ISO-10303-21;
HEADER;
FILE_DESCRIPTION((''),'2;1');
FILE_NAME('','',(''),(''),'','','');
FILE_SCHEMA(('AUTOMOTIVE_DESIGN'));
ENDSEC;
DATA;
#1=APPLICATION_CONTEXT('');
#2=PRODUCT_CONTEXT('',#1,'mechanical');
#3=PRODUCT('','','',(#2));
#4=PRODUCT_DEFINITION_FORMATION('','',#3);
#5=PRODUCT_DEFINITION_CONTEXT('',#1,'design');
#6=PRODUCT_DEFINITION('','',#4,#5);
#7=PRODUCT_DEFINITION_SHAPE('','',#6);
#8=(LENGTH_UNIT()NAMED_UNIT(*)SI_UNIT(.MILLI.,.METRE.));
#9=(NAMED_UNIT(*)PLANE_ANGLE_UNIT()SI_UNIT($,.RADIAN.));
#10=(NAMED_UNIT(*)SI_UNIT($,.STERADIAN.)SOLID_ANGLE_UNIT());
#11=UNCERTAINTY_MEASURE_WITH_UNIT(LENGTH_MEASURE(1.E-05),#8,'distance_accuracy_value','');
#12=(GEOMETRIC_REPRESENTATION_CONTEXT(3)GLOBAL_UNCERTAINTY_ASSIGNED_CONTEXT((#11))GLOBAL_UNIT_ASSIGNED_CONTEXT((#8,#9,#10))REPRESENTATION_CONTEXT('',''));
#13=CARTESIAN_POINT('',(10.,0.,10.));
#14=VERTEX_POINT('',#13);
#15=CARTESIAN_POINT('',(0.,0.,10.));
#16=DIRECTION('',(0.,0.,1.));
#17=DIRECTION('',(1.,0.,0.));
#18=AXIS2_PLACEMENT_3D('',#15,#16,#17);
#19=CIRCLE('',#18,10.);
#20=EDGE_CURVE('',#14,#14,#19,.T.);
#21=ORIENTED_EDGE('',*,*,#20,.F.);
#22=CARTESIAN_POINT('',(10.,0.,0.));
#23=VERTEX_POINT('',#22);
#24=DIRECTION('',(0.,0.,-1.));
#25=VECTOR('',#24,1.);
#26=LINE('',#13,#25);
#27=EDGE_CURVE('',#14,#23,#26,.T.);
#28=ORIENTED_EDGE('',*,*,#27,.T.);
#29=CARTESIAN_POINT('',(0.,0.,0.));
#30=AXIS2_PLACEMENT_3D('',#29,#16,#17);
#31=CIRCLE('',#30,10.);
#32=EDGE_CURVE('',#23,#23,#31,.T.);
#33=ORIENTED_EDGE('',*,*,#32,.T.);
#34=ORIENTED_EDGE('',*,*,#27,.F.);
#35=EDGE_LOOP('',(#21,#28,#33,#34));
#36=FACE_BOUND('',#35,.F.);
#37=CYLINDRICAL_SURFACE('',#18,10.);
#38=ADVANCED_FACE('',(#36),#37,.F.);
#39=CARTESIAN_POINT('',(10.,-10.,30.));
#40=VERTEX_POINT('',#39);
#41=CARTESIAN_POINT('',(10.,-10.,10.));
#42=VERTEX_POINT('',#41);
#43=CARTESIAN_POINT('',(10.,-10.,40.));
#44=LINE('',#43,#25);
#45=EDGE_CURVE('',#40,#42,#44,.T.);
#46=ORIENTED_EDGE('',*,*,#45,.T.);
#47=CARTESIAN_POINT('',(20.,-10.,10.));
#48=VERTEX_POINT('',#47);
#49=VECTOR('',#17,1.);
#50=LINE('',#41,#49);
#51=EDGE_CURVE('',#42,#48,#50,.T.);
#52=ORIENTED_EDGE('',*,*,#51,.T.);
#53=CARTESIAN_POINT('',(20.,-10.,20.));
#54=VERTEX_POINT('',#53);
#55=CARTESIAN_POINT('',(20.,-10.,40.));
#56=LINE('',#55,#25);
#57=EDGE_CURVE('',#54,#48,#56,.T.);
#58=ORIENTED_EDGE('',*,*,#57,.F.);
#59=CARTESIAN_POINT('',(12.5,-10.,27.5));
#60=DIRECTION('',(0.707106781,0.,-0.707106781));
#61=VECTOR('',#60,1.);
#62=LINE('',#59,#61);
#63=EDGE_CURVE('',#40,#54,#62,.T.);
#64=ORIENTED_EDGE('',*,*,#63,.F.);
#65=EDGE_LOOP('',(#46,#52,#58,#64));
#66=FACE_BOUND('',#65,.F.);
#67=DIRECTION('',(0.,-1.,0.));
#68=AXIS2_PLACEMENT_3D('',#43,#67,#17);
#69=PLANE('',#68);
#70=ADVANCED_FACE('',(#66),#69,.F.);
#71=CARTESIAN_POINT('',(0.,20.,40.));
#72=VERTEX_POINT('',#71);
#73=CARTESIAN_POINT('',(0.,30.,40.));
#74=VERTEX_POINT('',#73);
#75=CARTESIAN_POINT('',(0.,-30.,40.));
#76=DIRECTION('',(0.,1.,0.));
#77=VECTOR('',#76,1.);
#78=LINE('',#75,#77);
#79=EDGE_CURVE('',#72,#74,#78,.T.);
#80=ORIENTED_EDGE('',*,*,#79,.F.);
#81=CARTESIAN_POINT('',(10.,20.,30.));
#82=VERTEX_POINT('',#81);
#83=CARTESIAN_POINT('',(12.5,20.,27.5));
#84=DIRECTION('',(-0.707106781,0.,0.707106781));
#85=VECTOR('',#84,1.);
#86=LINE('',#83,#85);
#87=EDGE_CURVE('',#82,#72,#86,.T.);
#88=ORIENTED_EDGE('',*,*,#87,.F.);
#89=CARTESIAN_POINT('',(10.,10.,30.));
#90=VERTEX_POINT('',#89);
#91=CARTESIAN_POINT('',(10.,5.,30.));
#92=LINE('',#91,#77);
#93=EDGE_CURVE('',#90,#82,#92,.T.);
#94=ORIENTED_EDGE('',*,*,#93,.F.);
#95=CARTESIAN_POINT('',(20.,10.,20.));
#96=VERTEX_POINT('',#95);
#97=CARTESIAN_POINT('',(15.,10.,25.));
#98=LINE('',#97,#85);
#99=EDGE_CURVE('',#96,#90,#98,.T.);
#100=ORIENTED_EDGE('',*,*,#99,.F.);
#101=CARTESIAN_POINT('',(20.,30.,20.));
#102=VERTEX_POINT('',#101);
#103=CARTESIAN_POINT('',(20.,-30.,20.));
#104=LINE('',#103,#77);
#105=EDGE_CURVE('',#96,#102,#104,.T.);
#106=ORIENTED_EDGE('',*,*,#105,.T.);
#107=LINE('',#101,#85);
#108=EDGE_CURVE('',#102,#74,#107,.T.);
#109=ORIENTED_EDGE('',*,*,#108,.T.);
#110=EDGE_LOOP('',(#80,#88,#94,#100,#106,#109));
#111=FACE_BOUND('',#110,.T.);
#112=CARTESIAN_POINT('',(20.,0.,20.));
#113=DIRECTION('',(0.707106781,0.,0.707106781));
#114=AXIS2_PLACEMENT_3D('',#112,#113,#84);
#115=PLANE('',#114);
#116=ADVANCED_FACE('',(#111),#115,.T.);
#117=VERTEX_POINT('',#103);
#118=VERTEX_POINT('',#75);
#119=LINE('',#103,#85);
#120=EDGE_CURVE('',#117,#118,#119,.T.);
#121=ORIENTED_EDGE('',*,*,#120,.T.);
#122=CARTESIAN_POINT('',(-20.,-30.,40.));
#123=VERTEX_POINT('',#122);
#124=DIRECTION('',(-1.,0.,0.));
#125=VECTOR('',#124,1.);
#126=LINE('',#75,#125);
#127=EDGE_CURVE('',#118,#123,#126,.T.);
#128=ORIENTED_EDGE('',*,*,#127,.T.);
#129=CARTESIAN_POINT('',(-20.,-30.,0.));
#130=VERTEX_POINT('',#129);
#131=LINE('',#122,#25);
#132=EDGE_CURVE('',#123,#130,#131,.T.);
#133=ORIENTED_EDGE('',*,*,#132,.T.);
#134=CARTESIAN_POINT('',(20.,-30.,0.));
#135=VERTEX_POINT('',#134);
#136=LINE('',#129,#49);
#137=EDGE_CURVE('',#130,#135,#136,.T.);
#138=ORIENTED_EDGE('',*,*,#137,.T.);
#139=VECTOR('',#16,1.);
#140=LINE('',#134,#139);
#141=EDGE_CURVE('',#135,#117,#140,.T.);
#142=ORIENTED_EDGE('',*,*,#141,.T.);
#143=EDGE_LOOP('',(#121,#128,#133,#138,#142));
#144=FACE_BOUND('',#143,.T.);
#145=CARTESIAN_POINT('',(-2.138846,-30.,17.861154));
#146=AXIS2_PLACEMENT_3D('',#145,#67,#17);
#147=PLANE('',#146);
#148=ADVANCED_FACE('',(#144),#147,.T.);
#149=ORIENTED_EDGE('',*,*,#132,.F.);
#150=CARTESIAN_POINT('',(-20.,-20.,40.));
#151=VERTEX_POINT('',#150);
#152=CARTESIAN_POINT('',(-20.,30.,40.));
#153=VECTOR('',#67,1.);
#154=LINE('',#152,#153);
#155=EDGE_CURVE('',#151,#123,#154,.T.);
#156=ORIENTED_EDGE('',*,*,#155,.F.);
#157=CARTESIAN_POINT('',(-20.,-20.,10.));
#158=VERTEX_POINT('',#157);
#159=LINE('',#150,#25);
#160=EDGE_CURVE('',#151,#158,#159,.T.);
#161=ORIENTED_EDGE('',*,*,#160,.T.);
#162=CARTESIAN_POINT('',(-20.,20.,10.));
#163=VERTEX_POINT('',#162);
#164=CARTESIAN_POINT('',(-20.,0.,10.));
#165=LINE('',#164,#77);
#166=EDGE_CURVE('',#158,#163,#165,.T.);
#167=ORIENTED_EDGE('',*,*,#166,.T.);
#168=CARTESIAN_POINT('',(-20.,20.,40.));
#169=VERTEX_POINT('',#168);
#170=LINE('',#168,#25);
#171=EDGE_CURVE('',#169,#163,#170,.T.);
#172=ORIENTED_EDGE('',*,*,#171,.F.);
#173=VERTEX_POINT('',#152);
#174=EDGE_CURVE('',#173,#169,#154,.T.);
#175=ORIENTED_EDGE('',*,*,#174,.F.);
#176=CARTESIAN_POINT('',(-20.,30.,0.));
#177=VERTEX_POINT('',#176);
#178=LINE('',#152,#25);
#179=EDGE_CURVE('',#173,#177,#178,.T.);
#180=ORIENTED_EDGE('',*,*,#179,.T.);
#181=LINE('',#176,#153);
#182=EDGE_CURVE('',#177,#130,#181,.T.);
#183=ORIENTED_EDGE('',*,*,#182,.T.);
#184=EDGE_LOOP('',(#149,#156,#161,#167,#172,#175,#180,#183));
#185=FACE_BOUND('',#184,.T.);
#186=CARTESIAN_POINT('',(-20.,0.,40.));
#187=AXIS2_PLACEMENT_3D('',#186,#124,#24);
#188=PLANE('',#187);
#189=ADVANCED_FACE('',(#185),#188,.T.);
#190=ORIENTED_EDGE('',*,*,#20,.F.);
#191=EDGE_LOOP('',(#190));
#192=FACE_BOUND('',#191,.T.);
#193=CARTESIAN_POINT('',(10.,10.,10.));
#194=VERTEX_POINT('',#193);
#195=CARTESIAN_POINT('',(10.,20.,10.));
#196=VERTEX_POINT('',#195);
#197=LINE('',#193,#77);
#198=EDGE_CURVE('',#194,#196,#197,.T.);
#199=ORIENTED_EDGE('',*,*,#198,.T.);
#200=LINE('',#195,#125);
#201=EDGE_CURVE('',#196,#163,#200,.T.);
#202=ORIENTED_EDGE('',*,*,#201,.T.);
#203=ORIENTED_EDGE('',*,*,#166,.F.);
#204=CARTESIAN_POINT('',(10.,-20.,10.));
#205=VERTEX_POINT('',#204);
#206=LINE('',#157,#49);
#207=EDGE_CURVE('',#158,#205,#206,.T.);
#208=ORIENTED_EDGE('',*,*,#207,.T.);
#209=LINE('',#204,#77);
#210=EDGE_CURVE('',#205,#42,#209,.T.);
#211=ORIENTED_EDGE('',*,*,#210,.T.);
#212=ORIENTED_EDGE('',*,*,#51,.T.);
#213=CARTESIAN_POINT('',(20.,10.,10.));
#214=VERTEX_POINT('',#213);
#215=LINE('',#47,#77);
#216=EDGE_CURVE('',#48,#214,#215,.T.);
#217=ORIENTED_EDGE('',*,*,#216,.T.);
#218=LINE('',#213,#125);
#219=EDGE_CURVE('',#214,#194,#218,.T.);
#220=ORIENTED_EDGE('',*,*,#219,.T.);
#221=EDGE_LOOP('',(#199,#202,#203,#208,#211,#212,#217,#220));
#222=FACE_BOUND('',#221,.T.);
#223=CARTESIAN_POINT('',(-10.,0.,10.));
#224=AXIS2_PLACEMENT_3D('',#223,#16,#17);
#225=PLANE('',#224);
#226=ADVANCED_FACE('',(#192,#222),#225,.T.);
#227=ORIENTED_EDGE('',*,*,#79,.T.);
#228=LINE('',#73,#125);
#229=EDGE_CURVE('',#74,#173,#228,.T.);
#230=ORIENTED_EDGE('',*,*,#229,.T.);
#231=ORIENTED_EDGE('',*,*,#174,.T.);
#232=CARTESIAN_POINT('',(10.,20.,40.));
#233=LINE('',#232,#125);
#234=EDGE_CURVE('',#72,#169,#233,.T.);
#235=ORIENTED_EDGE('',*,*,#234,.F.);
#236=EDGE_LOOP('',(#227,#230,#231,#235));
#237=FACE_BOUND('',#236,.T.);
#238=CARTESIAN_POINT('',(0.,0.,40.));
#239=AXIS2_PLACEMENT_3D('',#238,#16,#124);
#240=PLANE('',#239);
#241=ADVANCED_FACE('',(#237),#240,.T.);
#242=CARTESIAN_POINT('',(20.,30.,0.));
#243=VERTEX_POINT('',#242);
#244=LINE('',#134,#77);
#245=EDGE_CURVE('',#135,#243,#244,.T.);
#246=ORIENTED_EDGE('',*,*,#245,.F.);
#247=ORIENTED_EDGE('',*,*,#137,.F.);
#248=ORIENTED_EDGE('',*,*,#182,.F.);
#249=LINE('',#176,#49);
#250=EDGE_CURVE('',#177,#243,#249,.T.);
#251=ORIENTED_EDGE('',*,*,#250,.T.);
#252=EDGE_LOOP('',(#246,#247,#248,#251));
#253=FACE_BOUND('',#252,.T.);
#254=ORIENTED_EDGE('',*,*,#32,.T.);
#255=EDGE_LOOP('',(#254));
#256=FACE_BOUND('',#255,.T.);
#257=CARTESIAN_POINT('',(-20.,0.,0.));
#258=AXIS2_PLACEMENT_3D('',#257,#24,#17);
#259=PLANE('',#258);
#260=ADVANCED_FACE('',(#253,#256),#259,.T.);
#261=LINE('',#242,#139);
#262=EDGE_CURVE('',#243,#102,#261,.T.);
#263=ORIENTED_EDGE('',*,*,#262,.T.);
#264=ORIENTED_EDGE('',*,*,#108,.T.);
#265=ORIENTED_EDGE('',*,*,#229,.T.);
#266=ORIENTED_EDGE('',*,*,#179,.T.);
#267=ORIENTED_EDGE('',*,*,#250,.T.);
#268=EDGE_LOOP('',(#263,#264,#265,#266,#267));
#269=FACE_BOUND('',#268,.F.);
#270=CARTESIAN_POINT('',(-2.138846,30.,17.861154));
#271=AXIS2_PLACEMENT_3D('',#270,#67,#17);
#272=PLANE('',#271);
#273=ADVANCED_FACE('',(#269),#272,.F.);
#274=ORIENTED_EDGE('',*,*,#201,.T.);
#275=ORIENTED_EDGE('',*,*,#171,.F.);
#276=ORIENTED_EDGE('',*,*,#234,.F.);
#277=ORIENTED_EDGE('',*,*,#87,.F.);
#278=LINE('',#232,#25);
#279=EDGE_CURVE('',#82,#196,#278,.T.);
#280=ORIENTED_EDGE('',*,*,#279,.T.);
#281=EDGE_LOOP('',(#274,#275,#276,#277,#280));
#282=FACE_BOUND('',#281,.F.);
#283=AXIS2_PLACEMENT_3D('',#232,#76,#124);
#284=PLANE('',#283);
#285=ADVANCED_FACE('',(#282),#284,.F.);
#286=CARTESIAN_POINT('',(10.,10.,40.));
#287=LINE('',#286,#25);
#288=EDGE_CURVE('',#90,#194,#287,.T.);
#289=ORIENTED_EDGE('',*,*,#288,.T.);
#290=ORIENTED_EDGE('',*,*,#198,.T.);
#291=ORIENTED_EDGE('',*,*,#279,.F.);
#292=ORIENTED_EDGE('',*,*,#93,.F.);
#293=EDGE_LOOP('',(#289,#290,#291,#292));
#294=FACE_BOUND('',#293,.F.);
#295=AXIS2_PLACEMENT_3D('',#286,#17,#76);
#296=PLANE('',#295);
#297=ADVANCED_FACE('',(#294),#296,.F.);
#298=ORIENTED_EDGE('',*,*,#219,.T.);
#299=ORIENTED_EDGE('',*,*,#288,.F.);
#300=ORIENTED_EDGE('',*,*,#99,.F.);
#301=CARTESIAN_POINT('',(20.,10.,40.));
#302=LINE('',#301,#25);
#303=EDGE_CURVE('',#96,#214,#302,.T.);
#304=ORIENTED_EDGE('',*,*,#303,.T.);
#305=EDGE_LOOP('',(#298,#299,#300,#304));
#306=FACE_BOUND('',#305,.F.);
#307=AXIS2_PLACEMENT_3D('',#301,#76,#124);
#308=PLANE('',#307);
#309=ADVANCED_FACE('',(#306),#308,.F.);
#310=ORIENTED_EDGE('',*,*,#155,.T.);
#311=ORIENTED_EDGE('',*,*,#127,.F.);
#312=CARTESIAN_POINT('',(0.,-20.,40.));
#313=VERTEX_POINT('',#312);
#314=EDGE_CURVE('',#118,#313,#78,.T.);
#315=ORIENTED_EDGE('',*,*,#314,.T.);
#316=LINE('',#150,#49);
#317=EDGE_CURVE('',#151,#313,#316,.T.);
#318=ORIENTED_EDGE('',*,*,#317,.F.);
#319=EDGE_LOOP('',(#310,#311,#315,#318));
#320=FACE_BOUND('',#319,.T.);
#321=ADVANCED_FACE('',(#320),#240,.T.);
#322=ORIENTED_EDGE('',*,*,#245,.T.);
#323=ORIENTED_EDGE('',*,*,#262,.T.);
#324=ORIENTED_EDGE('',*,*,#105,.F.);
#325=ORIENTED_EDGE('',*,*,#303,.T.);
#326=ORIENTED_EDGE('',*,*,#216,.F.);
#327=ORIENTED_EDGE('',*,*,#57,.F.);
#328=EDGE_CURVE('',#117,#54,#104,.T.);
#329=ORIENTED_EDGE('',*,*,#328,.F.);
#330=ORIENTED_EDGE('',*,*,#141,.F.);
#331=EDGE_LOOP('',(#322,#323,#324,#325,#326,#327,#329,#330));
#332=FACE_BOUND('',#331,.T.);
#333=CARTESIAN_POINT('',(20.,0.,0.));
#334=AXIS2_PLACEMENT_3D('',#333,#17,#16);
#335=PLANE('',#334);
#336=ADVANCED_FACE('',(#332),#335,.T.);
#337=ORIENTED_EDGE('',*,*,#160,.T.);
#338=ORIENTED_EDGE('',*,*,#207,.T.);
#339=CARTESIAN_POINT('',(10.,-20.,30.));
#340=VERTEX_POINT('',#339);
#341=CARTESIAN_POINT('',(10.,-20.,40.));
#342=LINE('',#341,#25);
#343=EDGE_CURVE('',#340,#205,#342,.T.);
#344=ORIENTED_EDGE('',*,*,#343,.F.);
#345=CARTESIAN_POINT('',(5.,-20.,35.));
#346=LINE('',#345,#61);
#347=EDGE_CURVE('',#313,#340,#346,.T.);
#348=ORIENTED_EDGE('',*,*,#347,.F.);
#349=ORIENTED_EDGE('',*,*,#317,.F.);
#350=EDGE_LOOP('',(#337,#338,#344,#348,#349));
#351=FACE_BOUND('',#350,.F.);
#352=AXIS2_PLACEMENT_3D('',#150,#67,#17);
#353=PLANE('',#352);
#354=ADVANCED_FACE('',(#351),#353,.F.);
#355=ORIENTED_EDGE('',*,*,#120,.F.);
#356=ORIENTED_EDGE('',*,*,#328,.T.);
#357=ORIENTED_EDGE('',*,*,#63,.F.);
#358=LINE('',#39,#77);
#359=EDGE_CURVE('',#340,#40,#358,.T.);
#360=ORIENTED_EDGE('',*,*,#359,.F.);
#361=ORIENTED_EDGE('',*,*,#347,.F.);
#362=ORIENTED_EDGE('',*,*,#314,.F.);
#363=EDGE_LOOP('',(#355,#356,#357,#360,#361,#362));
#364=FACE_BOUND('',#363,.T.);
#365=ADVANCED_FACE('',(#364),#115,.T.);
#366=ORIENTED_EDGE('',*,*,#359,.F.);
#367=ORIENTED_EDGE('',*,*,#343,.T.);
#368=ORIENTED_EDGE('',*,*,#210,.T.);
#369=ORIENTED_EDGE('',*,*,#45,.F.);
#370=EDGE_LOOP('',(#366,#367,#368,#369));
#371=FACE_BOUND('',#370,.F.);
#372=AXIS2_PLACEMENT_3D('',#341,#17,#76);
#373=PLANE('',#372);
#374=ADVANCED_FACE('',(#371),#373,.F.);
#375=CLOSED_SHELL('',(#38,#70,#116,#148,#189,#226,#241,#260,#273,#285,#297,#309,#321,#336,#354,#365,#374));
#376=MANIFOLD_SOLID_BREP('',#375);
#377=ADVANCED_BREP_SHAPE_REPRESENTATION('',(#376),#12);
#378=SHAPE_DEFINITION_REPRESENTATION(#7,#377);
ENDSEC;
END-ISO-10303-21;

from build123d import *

# Parameters (mm, degrees)
F1_DEPTH = 30
F2_W     = 20
F2_H     = 40
F3_DEPTH = 30
F4_R     = 10
F5_DEPTH = 10


with BuildPart() as f1:
    # F0 (on Front) → F1 (new body, symmetric)
    with BuildSketch(Plane.XZ):
        Polygon((0, 40), (-20, 40), (-20, 0), (20, 0), (20, 20), align=None)
    extrude(amount=F1_DEPTH, both=True)

    # F2 (on face) → F3 (cut)
    with BuildSketch(Plane.XY.offset(40)):
        with Locations((-10, 0)):
            Rectangle(F2_W, F2_H)
        Polygon((10, 20), (0, 20), (0, -20), (10, -20), (10, -10), (20, -10), (20, 10), (10, 10), align=None)
    extrude(amount=-F3_DEPTH, mode=Mode.SUBTRACT)

    # F4 (on face) → F5 (cut, through all)
    with BuildSketch(Plane.XY.offset(10)):
        Circle(F4_R)
    extrude(amount=-F5_DEPTH, mode=Mode.SUBTRACT)


solid = f1.part
